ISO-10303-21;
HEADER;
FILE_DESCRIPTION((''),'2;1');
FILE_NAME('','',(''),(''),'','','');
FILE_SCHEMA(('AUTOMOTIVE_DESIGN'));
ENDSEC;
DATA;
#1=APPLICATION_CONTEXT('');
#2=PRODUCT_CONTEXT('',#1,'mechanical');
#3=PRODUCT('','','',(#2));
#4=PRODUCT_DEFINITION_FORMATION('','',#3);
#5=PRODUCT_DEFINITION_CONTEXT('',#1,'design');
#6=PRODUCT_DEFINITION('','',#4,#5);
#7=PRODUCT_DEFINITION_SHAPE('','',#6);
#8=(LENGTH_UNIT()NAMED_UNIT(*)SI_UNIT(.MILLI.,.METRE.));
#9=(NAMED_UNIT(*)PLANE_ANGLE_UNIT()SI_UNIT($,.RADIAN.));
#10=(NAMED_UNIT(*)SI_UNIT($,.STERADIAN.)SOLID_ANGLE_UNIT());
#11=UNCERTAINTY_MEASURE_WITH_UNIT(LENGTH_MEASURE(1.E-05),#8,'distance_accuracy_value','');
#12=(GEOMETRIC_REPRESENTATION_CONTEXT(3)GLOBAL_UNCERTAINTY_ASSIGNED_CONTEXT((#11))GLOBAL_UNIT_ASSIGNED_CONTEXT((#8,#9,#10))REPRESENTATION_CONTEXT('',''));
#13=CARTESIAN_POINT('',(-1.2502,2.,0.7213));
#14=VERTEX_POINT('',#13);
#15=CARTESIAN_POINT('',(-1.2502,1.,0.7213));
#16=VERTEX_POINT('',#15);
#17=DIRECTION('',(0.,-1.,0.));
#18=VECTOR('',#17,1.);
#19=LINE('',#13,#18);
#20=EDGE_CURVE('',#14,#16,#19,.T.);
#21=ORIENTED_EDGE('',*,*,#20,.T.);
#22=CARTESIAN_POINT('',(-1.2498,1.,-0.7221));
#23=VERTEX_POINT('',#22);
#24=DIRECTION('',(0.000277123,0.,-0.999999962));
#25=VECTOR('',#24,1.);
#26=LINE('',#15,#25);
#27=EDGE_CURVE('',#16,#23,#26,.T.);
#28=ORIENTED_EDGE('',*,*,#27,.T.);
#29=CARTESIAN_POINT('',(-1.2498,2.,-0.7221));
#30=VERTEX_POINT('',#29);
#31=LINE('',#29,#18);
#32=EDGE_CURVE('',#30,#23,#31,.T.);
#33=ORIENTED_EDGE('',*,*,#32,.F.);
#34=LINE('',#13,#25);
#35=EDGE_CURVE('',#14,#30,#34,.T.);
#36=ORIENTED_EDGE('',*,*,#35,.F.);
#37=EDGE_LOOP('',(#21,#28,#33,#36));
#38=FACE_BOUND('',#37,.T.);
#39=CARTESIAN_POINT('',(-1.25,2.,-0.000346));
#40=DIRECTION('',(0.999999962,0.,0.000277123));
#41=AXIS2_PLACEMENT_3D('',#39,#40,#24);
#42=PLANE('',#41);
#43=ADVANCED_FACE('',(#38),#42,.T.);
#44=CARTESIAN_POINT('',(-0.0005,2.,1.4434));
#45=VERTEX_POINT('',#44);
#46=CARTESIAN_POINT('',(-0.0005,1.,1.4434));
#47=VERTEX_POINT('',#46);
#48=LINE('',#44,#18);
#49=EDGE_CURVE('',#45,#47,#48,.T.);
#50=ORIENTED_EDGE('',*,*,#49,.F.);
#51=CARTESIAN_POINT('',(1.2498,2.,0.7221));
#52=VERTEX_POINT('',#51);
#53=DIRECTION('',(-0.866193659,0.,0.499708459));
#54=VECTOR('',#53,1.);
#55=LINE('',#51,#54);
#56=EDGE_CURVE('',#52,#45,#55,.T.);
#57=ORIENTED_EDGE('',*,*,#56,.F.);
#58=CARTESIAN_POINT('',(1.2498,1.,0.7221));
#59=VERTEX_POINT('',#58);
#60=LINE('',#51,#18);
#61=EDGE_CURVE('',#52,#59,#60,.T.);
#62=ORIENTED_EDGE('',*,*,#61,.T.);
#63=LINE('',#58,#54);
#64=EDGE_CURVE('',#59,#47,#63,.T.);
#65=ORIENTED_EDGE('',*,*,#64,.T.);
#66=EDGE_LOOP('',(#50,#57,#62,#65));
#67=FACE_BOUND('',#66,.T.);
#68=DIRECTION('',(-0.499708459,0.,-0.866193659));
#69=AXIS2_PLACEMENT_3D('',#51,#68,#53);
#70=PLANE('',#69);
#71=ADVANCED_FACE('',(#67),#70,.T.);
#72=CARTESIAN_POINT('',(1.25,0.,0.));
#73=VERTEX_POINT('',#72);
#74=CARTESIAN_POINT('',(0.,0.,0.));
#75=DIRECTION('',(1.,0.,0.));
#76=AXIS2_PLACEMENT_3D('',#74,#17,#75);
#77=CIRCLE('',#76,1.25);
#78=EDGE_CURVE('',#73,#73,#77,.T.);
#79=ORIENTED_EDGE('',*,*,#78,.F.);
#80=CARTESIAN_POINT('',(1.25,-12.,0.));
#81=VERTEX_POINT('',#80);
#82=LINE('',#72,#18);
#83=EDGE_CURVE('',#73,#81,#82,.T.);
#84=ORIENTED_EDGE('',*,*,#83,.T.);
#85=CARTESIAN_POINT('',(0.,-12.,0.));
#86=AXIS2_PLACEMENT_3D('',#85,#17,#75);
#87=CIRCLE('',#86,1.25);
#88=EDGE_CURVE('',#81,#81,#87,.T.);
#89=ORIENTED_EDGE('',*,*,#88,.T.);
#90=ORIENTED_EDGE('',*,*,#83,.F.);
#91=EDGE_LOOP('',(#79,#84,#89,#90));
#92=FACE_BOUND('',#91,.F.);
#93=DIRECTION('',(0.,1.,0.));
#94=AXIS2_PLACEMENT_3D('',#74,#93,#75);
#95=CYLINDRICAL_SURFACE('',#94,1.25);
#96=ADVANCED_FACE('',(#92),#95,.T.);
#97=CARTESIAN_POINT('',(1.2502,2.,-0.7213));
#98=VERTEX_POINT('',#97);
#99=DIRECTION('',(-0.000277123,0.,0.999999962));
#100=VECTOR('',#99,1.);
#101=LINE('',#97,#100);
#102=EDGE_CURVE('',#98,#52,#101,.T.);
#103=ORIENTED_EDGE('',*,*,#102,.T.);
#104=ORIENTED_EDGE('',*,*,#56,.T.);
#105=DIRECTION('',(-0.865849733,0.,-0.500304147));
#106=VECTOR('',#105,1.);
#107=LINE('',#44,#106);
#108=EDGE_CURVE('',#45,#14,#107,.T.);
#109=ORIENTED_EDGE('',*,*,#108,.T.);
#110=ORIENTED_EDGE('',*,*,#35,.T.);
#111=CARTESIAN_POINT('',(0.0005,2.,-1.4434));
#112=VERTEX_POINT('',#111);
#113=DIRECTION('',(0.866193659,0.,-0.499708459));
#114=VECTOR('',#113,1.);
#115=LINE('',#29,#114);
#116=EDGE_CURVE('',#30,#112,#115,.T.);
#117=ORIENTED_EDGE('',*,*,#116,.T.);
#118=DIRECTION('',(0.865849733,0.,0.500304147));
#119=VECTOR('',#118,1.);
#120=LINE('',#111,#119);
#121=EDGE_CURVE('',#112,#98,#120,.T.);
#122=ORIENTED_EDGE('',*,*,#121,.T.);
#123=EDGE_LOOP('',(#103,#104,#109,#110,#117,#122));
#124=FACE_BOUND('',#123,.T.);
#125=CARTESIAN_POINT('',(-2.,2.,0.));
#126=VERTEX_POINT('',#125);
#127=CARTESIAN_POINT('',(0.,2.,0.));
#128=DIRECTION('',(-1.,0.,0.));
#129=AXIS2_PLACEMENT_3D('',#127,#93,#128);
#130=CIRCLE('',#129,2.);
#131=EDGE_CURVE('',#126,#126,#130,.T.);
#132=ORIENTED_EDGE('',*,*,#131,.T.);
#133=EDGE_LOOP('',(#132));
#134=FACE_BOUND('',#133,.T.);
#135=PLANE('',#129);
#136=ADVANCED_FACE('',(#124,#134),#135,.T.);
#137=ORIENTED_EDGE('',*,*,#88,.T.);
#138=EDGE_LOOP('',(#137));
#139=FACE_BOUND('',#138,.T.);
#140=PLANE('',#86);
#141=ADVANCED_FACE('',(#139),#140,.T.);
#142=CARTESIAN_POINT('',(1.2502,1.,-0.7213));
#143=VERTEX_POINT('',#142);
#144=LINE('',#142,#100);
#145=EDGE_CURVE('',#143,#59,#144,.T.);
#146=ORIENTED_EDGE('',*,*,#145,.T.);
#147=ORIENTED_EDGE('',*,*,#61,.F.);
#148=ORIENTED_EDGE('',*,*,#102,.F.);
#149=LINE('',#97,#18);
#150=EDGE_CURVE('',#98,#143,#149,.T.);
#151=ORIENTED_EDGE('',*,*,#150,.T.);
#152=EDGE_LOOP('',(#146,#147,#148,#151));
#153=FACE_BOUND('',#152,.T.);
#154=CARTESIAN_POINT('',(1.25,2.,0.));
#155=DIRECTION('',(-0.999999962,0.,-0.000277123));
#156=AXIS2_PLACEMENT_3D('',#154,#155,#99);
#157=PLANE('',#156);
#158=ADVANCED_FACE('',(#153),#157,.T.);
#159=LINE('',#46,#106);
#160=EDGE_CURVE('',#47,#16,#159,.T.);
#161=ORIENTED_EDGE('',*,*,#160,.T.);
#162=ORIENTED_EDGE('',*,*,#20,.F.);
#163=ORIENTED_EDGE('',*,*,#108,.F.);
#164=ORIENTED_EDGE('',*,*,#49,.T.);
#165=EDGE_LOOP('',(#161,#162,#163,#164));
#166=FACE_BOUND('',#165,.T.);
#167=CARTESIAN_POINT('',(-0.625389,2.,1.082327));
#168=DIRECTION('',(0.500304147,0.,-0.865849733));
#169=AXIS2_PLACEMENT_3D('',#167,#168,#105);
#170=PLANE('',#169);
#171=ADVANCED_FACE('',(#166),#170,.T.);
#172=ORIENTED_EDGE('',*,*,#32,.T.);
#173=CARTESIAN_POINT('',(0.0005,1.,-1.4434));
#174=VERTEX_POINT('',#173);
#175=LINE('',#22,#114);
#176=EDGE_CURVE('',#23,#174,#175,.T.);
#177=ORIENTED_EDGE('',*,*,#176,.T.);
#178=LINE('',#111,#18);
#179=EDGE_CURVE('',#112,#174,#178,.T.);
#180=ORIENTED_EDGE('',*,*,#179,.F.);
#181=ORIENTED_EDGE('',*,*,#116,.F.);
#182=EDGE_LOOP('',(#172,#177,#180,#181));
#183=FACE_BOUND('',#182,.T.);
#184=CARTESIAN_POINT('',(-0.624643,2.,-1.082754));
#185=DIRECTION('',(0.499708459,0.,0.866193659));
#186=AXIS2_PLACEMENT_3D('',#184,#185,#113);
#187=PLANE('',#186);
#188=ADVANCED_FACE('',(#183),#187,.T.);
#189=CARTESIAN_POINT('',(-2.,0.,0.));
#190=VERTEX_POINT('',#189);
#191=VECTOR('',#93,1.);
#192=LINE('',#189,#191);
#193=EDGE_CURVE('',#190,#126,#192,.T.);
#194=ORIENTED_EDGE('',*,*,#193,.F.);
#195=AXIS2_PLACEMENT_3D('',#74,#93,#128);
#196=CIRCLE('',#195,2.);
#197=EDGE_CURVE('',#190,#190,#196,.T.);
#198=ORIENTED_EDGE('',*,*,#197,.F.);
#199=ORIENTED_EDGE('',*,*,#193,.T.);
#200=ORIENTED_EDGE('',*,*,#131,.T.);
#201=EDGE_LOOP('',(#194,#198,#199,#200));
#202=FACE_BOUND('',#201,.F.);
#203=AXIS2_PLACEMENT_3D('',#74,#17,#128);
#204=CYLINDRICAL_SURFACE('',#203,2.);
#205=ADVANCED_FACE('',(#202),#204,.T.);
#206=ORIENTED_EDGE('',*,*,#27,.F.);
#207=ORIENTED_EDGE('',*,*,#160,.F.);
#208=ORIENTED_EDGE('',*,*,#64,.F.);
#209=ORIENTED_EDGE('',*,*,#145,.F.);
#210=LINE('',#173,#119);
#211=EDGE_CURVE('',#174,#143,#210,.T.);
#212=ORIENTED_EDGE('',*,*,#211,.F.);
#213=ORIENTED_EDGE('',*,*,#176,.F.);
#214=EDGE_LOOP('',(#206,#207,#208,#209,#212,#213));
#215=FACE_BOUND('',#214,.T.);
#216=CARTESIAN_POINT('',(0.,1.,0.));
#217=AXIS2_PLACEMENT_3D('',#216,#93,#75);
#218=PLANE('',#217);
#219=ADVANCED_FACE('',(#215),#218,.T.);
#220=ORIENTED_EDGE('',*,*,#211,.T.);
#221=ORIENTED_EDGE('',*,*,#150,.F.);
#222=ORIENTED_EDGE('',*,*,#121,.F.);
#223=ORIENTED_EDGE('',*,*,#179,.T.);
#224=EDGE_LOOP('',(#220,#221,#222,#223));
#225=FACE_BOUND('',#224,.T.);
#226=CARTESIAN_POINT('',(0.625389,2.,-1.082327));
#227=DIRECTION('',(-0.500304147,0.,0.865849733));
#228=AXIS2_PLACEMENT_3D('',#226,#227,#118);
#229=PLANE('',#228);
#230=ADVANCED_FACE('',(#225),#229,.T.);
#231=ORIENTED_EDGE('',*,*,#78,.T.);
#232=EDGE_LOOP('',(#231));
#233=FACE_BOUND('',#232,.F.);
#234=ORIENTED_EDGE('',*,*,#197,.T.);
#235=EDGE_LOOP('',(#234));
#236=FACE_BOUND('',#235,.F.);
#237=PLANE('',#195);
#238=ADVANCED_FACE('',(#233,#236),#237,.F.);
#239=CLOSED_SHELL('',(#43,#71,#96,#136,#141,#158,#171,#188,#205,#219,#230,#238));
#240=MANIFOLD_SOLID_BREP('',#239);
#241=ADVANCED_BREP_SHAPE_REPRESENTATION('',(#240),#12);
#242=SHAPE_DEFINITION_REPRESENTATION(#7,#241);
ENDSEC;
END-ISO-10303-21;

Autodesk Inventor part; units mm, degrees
ref_plane "YZ Plane" through (0, 0, 0) normal (1, 0, 0) x (0, 1, 0)
ref_plane "XZ Plane" through (0, 0, 0) normal (0, 1, 0) x (-1, 0, 0)
ref_plane "XY Plane" through (0, 0, 0) normal (0, 0, 1) x (1, 0, 0)
sketch "Sketch1" plane through (0, 0, 0) normal (0, 1, 0) x (-1, 0, 0)
  circle A0 centre (0, 0) radius 2
  dimension "d0" = 4
extrude "Extrusion1" add sketch "Sketch1" along normal blind 2
sketch "Sketch2" plane through (0, 0, 0) normal (0, -1, 0) x (1, 0, 0)
  circle A0 centre (0, 0) radius 1.25
  dimension "d3" = 2.5
extrude "Extrusion2" add sketch "Sketch2" along normal blind 12
thread "Thread1" size "M2.5x0.45" class "6g" standard "ANSI Metric M Profile" full length
sketch "Sketch3" plane through (0, 2, 0) normal (0, 1, 0) x (1, 0, 0)
  circle A0 centre (0, 0) radius 1.25 projected
  line L0 (0.0005, 1.4434) -> (1.2502, 0.7213)
  line L1 (1.2502, 0.7213) -> (1.2498, -0.7221)
  line L2 (1.2498, -0.7221) -> (-0.0005, -1.4434)
  line L3 (-0.0005, -1.4434) -> (-1.2502, -0.7213)
  line L4 (-1.2502, -0.7213) -> (-1.2498, 0.7221)
  line L5 (-1.2498, 0.7221) -> (0.0005, 1.4434)
  point P0 (-0.6247, 1.0827)
extrude "Extrusion3" cut sketch "Sketch3" against normal blind 1
properties part number "screwM2-5"
